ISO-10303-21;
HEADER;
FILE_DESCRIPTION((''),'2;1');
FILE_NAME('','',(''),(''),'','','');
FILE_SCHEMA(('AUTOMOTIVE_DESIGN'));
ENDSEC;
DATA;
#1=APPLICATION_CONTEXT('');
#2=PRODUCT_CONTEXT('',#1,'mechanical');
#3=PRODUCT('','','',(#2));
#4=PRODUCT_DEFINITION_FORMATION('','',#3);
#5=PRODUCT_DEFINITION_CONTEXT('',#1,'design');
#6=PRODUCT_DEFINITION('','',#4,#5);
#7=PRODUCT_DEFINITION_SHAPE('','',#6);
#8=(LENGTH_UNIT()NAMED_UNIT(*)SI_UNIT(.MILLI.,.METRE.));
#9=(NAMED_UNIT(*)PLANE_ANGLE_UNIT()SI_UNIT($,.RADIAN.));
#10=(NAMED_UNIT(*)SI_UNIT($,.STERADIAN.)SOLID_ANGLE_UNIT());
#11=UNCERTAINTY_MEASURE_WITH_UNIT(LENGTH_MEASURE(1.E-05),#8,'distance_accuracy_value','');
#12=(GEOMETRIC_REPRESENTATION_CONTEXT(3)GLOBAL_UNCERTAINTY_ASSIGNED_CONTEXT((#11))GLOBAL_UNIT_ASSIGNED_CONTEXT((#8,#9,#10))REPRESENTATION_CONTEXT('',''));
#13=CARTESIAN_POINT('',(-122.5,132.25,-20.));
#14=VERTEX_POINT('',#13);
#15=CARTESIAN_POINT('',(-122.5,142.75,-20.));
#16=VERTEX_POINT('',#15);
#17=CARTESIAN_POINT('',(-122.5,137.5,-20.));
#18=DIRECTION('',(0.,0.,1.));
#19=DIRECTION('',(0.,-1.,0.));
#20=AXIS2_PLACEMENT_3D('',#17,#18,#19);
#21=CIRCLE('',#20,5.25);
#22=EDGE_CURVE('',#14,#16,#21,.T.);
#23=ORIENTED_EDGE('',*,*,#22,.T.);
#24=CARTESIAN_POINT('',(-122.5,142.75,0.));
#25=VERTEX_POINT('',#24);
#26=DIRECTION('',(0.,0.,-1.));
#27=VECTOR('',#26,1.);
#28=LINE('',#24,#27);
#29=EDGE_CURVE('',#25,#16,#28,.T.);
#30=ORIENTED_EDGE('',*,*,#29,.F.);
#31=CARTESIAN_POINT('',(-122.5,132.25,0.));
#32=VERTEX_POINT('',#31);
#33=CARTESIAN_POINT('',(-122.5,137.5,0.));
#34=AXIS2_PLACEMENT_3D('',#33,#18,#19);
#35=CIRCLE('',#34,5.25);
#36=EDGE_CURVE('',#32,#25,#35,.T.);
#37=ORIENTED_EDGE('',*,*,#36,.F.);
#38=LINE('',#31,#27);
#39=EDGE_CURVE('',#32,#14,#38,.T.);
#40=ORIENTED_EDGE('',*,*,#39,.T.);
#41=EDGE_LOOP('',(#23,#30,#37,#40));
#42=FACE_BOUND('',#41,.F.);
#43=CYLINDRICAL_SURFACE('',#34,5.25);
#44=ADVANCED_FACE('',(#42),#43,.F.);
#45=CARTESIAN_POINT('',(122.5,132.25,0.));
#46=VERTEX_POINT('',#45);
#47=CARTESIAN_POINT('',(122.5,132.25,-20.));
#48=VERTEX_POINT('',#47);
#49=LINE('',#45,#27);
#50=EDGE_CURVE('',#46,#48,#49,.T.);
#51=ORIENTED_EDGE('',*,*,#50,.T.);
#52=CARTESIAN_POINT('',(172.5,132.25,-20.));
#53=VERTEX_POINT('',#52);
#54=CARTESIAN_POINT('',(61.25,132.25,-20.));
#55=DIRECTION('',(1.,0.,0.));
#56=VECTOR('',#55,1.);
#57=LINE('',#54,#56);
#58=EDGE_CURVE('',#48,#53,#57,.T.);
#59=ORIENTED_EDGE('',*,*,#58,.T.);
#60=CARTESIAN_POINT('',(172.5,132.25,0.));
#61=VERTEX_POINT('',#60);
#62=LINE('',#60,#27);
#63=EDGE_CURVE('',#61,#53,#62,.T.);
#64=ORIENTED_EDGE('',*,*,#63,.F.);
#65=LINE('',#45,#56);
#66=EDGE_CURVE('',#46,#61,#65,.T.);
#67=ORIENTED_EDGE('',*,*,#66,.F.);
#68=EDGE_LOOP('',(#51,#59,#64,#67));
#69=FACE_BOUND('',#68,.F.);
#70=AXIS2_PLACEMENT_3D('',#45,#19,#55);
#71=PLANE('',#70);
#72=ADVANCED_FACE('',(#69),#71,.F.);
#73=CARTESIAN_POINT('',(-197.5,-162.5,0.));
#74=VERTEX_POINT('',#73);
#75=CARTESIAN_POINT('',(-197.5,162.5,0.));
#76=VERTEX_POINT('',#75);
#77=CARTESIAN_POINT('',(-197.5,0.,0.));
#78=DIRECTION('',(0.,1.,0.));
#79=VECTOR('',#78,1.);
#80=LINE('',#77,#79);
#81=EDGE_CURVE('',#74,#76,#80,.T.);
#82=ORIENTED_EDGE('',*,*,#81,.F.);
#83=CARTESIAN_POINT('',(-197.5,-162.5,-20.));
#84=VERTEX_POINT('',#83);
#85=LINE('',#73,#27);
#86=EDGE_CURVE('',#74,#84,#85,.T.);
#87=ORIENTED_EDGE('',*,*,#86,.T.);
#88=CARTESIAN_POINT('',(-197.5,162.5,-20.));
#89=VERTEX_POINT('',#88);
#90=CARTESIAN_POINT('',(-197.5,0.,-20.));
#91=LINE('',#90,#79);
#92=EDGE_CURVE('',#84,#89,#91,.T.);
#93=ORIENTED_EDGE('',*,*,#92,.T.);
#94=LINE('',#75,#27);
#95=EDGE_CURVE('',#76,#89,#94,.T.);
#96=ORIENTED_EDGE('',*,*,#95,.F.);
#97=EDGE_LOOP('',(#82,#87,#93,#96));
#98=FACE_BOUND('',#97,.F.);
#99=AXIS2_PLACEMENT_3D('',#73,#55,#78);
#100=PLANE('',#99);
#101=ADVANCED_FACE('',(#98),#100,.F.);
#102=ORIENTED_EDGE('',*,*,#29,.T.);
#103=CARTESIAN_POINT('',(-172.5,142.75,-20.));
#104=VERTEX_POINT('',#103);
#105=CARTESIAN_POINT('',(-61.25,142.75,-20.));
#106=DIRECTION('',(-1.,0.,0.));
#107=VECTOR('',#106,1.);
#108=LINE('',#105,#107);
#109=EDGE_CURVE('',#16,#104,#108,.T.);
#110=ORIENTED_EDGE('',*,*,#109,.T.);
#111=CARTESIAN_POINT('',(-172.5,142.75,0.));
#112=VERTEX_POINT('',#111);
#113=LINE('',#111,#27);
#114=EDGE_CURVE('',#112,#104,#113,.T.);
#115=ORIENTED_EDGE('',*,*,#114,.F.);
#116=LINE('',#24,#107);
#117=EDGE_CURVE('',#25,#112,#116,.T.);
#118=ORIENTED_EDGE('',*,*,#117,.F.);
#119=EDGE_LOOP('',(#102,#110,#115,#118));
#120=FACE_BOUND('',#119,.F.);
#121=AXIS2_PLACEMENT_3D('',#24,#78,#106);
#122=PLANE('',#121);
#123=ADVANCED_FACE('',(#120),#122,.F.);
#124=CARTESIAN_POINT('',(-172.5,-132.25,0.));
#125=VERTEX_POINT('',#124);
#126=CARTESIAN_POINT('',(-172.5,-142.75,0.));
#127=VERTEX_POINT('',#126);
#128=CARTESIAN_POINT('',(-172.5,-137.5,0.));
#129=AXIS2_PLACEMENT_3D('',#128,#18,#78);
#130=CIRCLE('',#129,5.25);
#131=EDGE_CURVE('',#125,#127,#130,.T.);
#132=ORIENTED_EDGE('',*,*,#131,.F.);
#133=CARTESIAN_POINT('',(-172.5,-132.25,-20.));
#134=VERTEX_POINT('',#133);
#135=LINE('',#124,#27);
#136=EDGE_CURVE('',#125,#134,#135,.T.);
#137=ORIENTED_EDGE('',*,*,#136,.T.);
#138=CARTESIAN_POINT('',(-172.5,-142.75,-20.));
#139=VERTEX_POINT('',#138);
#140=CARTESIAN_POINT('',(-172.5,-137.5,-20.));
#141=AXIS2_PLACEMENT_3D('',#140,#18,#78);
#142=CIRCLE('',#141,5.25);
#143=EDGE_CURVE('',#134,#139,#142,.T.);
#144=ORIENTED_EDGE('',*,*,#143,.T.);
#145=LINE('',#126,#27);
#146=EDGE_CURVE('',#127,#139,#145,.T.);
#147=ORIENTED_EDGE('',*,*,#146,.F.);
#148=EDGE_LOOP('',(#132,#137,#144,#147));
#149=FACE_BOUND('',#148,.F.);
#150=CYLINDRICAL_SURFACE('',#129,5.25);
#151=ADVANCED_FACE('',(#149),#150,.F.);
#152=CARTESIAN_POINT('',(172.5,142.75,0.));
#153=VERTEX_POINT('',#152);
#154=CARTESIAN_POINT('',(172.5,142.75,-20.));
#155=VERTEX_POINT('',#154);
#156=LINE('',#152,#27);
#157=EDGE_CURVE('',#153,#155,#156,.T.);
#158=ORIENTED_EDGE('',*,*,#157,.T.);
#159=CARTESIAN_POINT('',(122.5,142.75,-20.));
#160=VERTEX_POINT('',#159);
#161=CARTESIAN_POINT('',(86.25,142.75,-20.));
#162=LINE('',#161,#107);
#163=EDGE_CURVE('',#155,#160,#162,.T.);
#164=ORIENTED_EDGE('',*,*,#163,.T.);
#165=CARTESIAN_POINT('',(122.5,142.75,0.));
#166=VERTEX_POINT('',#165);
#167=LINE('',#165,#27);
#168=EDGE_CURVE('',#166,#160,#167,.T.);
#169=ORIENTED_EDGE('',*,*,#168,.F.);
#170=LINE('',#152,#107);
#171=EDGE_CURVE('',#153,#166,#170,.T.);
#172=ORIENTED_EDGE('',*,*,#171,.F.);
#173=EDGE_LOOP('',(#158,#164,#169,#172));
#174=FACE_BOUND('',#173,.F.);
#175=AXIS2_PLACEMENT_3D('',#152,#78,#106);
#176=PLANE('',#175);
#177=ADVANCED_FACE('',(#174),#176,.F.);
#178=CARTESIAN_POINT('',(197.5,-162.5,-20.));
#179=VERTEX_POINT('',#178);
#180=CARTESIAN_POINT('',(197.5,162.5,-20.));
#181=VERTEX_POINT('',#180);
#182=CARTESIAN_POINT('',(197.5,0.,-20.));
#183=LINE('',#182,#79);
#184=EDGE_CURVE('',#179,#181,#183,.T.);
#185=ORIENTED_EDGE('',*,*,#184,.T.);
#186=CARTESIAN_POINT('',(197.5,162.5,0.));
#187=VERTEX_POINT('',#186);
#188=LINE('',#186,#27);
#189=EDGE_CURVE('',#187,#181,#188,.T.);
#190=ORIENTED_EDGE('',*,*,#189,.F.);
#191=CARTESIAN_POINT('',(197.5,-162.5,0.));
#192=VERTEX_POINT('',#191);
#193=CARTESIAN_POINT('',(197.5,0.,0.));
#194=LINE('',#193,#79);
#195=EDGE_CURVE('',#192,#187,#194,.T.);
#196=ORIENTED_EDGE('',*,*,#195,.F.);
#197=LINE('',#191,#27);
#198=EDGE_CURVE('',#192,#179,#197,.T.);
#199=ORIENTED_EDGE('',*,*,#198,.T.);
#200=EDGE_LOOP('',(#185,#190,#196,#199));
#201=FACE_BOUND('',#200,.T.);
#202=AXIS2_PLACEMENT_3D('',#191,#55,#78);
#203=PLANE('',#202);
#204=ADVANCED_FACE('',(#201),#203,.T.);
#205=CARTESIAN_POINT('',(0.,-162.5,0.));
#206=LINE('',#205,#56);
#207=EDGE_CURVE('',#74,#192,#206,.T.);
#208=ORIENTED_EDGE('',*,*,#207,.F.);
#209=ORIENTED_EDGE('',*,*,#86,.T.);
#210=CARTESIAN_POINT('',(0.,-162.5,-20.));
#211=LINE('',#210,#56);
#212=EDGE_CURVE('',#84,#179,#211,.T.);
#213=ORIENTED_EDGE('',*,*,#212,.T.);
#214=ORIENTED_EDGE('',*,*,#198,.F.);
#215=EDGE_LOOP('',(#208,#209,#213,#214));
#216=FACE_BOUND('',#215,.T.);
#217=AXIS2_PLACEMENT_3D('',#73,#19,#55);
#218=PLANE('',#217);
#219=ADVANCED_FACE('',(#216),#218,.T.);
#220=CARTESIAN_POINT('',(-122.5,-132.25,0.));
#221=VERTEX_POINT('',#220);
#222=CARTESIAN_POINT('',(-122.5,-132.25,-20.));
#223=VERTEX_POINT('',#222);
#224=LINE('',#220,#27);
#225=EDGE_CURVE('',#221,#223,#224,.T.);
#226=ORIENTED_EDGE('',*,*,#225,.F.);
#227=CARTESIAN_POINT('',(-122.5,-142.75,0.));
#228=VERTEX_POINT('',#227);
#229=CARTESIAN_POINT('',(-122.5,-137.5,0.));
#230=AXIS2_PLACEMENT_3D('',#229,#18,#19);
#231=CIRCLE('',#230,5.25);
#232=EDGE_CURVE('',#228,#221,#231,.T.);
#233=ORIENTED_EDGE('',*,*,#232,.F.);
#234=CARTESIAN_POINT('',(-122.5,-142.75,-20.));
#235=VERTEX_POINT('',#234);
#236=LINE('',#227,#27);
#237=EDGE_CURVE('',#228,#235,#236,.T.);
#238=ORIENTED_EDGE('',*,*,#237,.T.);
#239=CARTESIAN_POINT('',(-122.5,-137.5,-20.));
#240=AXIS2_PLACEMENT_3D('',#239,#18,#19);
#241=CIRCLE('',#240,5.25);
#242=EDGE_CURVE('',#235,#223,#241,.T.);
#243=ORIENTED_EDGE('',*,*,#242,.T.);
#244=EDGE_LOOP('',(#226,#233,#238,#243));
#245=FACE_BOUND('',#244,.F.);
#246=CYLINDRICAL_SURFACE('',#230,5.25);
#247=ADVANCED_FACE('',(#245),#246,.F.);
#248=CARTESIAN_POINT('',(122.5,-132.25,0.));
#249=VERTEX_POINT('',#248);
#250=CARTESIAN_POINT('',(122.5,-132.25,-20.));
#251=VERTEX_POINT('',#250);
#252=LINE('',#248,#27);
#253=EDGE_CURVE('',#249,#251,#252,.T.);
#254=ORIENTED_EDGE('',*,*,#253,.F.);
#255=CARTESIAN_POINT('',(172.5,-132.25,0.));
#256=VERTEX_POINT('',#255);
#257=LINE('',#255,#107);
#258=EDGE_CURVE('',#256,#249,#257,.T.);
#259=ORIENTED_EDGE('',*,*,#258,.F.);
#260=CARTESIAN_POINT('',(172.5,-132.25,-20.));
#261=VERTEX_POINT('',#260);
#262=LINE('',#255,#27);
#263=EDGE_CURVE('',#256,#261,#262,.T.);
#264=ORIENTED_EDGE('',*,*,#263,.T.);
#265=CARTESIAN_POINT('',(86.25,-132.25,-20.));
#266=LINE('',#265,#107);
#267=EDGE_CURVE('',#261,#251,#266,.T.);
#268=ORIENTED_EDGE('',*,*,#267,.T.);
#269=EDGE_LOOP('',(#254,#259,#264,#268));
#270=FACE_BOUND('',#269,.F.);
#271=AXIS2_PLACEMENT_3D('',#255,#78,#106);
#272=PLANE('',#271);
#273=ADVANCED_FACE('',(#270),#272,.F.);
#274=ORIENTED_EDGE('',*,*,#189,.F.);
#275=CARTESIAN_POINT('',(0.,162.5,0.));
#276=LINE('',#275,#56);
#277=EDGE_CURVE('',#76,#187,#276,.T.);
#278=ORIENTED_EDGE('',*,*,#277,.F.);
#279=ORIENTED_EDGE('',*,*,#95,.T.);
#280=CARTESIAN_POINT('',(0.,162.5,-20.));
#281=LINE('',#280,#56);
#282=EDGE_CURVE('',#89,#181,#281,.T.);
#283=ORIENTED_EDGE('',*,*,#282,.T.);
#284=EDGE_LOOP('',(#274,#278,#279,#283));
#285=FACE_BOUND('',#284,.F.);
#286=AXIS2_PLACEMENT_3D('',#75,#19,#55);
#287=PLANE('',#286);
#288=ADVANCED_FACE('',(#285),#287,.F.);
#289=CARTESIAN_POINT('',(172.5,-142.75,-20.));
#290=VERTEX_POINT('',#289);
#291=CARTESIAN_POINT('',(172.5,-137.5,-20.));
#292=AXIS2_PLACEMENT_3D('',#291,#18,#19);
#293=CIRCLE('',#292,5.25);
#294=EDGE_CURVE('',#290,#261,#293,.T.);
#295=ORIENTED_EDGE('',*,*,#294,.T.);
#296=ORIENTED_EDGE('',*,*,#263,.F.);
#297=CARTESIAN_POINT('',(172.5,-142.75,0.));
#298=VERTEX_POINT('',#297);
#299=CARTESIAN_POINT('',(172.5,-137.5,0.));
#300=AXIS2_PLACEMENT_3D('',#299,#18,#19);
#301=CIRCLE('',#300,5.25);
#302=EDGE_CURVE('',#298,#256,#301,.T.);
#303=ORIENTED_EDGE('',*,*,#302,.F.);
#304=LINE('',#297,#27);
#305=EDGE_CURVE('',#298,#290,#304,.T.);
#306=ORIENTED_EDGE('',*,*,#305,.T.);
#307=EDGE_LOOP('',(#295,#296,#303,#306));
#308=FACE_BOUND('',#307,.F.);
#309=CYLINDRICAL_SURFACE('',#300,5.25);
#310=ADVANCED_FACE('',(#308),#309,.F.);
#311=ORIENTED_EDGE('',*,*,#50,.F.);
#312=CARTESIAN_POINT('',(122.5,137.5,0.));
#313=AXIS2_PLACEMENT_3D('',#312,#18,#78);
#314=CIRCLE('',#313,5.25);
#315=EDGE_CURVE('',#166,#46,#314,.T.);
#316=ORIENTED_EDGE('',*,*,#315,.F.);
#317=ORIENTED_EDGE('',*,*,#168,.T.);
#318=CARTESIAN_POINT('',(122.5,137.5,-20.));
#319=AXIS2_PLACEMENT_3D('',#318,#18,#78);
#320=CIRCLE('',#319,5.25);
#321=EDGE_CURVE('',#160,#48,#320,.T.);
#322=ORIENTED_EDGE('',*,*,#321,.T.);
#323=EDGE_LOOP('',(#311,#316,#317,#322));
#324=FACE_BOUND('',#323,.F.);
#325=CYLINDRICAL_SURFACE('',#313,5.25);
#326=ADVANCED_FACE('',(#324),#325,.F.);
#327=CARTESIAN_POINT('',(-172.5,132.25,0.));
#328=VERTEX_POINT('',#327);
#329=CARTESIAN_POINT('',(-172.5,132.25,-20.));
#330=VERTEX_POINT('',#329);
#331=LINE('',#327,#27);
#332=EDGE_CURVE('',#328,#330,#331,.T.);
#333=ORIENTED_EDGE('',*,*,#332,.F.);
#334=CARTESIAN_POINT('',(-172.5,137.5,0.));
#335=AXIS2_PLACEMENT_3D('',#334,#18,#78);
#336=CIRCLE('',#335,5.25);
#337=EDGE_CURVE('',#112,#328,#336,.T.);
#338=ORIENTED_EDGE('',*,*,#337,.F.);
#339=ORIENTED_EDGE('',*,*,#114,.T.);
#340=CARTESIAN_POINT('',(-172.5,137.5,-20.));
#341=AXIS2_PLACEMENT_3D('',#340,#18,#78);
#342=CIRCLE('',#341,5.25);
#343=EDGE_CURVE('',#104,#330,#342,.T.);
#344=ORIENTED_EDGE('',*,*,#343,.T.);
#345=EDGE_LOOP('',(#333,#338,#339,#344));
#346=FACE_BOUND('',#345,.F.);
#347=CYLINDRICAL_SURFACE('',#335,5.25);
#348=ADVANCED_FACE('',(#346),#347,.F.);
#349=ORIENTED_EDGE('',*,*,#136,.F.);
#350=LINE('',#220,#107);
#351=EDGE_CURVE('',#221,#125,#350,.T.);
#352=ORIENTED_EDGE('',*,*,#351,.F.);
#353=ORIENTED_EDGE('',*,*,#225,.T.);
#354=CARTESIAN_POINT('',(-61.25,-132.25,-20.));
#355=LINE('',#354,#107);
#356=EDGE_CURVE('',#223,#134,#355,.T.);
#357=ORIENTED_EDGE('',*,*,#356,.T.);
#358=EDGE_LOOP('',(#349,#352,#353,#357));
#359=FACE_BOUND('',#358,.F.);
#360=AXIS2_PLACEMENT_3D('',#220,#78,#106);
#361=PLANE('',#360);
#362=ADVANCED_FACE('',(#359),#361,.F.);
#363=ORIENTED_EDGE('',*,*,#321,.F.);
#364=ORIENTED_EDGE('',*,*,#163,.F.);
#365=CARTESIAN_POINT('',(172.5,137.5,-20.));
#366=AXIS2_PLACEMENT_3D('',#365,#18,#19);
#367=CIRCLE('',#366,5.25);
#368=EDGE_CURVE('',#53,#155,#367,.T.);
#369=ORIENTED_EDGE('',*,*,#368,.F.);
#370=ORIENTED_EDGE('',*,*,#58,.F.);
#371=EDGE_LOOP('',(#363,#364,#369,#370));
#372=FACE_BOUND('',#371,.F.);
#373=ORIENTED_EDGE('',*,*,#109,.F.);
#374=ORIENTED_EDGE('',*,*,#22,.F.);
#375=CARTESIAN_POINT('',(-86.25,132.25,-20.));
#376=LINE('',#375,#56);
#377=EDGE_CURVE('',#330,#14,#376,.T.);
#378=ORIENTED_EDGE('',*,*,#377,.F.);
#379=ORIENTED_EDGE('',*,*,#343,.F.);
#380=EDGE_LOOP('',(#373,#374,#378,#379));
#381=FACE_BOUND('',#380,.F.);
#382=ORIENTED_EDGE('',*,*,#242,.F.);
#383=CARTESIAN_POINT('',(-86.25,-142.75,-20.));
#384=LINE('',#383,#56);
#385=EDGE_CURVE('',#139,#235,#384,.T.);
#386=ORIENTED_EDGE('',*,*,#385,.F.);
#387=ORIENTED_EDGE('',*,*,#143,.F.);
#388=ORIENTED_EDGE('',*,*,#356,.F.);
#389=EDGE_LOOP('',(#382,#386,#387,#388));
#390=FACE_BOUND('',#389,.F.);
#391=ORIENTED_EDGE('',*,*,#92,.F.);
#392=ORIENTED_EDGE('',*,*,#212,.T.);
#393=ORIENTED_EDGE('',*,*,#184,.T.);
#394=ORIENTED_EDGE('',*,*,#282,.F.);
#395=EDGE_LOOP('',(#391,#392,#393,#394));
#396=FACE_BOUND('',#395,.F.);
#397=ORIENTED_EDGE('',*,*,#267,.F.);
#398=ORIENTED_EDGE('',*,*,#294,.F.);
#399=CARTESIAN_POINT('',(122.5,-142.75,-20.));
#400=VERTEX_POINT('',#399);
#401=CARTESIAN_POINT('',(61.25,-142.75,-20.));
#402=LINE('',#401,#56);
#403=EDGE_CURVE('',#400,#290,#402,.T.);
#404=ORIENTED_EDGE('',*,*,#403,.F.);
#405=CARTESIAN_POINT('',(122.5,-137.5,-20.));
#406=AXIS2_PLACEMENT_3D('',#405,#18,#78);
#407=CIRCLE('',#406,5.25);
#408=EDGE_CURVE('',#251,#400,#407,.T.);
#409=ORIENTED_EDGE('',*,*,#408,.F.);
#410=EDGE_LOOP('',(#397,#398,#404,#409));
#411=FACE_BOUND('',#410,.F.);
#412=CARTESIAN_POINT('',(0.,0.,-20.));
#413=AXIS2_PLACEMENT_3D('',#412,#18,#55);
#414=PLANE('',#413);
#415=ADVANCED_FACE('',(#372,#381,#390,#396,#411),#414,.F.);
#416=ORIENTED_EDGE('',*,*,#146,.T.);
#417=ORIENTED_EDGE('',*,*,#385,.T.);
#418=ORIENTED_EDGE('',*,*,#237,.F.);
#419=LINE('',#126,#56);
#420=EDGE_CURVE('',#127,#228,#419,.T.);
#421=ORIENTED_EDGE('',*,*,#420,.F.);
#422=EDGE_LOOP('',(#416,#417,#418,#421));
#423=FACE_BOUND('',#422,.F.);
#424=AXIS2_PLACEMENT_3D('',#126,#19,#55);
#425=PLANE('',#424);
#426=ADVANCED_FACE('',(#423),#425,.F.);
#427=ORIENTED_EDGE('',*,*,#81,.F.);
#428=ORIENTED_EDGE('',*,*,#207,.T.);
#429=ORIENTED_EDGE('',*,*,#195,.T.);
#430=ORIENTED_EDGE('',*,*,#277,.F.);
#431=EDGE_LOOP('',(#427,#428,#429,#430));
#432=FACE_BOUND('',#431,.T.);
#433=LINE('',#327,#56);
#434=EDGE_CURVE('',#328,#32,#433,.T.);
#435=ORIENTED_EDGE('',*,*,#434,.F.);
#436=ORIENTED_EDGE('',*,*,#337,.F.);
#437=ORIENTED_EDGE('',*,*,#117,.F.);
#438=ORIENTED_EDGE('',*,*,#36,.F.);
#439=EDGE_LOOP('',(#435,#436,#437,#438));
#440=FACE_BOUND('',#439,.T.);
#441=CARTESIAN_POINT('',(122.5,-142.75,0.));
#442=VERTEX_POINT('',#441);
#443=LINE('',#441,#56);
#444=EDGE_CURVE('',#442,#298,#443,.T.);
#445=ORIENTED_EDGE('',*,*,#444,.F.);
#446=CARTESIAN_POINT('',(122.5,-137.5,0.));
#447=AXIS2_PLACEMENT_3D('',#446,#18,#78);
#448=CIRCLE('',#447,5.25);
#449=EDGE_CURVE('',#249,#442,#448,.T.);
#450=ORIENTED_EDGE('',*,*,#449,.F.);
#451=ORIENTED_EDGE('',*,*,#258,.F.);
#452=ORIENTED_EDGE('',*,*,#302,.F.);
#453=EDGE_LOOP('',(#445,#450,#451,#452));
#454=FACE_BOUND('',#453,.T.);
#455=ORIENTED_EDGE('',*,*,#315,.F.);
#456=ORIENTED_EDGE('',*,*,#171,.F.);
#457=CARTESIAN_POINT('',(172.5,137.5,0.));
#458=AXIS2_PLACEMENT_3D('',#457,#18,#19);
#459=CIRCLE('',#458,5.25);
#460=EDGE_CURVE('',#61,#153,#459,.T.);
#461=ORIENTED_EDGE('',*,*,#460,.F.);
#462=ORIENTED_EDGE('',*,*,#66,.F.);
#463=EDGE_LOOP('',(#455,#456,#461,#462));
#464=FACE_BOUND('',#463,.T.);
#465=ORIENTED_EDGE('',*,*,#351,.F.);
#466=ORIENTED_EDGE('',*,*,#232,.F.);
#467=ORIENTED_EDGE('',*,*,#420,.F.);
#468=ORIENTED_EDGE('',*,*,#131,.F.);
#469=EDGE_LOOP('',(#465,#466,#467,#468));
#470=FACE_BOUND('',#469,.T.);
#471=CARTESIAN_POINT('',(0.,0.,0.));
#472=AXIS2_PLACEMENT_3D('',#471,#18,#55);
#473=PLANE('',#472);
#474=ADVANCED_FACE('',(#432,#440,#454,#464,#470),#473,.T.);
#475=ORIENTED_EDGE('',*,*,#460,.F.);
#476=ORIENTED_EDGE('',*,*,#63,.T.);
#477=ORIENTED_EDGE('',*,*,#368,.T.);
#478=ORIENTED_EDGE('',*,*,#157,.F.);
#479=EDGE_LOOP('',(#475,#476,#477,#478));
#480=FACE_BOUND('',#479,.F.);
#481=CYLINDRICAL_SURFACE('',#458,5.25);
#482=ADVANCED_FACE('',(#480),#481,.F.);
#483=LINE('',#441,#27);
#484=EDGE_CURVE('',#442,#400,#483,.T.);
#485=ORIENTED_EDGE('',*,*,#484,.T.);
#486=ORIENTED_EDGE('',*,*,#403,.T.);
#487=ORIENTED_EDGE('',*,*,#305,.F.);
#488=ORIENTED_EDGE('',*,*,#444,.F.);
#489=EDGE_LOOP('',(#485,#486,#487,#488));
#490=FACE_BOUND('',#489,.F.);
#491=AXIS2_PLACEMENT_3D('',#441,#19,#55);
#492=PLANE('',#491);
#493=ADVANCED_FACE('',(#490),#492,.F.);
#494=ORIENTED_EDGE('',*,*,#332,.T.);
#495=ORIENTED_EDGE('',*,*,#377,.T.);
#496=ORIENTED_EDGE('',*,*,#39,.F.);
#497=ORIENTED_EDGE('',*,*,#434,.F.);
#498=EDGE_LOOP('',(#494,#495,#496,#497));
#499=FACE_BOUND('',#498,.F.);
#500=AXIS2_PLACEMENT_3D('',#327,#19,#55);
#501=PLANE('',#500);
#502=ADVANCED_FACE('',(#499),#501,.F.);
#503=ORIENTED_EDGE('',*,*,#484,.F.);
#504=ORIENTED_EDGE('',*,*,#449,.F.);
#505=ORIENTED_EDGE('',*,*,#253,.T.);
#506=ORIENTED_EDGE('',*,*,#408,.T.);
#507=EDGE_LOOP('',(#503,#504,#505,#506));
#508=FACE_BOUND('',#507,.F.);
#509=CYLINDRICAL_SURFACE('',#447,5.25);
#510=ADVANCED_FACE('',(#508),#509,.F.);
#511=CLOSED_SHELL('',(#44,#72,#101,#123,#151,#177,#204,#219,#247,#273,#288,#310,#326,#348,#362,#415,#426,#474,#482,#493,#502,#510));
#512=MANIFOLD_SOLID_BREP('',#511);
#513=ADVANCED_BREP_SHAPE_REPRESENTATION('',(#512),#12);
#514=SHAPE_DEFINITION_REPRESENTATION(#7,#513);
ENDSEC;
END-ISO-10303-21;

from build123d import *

# Parameters (mm, degrees)
F0_W     = 395
F0_H     = 325
F1_DEPTH = 20
F3_DEPTH = 25


with BuildPart() as f1:
    # F0 (on Top) → F1 (new body)
    with BuildSketch(Plane.XY):
        Rectangle(F0_W, F0_H)
    extrude(amount=-F1_DEPTH)

    # F2 (on face) → F3 (cut)
    with BuildSketch(Plane.XY):
        with BuildLine():
            ThreePointArc((-172.5, 142.75), (-177.75, 137.5), (-172.5, 132.25))
            Line((-172.5, 132.25), (-122.5, 132.25))
            ThreePointArc((-122.5, 132.25), (-117.25, 137.5), (-122.5, 142.75))
            Line((-122.5, 142.75), (-172.5, 142.75))
        make_face()
        with BuildLine():
            Line((-122.5, -132.25), (-172.5, -132.25))
            ThreePointArc((-172.5, -132.25), (-177.75, -137.5), (-172.5, -142.75))
            Line((-172.5, -142.75), (-122.5, -142.75))
            ThreePointArc((-122.5, -142.75), (-117.25, -137.5), (-122.5, -132.25))
        make_face()
        with BuildLine():
            ThreePointArc((172.5, -142.75), (177.75, -137.5), (172.5, -132.25))
            Line((172.5, -132.25), (122.5, -132.25))
            ThreePointArc((122.5, -132.25), (117.25, -137.5), (122.5, -142.75))
            Line((122.5, -142.75), (172.5, -142.75))
        make_face()
        with BuildLine():
            Line((122.5, 132.25), (172.5, 132.25))
            ThreePointArc((172.5, 132.25), (177.75, 137.5), (172.5, 142.75))
            Line((172.5, 142.75), (122.5, 142.75))
            ThreePointArc((122.5, 142.75), (117.25, 137.5), (122.5, 132.25))
        make_face()
    extrude(amount=-F3_DEPTH, mode=Mode.SUBTRACT)


solid = f1.part
